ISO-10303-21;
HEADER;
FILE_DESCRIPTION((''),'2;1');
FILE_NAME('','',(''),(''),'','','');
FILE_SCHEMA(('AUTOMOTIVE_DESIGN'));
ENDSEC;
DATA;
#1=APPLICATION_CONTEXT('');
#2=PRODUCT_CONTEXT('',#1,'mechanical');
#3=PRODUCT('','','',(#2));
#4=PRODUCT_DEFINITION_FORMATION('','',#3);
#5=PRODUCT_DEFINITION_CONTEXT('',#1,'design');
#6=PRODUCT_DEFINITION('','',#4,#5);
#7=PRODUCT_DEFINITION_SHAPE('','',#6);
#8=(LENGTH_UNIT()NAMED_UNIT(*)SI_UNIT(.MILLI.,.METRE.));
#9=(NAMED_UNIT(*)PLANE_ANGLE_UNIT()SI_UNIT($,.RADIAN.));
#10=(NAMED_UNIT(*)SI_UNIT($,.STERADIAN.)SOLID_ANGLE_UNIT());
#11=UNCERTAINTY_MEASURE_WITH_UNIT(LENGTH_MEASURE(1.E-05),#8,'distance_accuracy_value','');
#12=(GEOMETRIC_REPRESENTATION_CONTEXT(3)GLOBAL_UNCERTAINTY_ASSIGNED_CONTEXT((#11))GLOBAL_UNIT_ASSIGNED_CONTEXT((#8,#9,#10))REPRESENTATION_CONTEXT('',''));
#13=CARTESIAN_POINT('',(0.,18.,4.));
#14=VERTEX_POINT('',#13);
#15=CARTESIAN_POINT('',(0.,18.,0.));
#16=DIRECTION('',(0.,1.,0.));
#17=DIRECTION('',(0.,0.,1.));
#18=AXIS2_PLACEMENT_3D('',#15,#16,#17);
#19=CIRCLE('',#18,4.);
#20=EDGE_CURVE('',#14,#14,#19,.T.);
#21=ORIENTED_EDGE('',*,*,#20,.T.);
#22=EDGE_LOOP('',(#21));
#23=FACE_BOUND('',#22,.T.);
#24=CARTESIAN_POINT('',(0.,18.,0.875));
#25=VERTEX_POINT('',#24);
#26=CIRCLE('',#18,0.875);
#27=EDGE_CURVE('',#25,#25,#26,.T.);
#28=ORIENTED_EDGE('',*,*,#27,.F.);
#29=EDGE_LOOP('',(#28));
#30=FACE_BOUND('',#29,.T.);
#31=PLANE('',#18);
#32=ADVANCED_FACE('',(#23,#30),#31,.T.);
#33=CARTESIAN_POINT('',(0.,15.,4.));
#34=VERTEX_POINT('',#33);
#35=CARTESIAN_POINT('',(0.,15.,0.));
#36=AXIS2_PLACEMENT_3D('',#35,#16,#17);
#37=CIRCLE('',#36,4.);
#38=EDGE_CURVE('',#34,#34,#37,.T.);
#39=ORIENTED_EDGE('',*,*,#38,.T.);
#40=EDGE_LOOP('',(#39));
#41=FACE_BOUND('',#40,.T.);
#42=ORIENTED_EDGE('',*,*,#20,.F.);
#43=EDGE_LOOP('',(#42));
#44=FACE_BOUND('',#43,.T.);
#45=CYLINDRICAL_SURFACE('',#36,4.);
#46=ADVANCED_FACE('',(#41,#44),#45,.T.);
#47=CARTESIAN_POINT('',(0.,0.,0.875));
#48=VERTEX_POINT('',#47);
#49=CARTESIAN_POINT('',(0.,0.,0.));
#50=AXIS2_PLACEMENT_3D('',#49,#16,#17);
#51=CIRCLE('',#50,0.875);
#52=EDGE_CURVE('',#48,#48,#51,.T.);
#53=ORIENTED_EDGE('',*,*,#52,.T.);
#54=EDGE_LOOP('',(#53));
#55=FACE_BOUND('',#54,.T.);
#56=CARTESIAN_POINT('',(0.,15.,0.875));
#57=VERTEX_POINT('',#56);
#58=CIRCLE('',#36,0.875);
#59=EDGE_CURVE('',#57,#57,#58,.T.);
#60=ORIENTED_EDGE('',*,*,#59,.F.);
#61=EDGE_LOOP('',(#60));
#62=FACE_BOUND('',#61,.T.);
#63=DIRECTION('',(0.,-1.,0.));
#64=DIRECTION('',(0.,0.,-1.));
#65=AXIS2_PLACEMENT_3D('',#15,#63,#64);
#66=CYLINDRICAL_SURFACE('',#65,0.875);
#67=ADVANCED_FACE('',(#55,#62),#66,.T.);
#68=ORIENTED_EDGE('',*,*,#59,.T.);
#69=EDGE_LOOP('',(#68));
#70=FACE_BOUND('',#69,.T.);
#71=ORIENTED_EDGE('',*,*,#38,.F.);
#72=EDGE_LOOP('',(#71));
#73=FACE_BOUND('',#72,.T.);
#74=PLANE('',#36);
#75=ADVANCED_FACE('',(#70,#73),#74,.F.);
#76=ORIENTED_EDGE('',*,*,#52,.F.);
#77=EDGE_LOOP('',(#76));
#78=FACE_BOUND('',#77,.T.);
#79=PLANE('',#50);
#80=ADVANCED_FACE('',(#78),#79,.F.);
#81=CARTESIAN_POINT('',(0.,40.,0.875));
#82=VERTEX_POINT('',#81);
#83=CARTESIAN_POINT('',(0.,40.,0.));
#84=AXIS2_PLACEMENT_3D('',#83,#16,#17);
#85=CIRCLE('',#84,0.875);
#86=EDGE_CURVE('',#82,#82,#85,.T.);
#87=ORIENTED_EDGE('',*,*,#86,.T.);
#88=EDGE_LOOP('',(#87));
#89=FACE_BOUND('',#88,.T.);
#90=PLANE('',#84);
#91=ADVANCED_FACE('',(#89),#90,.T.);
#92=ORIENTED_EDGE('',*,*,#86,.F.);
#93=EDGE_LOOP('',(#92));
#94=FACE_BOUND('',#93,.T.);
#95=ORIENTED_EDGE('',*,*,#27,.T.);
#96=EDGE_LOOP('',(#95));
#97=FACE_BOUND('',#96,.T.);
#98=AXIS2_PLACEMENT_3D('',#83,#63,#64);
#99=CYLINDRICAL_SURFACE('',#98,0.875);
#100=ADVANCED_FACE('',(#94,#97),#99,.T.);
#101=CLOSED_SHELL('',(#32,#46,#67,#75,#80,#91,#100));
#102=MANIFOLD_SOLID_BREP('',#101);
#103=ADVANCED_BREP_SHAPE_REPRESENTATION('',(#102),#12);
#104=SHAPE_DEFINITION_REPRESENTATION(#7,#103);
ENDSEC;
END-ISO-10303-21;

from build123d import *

# Parameters (mm, degrees)
SKETCH1_R           = 0.875
BOSS_EXTRUDE2_DEPTH = 18
SKETCH3_R           = 4
BOSS_EXTRUDE3_DEPTH = 3
SKETCH4_R           = 0.875
BOSS_EXTRUDE4_DEPTH = 22


with BuildPart() as part:
    # Sketch1 → Boss-Extrude2 (new body)
    with BuildSketch(Plane(origin=(0, 0, 0), x_dir=(1, 0, 0), z_dir=(0, 1, 0))):
        with Locations(Location((0, 0, 0), (0, 0, 270))):
            Circle(SKETCH1_R)
    extrude(amount=BOSS_EXTRUDE2_DEPTH)

    # Sketch3 → Boss-Extrude3 (add)
    with BuildSketch(Plane(origin=(0, 18, 0), x_dir=(1, 0, 0), z_dir=(0, 1, 0))):
        with Locations(Location((0, 0, 0), (0, 0, 270))):
            Circle(SKETCH3_R)
    extrude(amount=-BOSS_EXTRUDE3_DEPTH)

    # Sketch4 → Boss-Extrude4 (add)
    with BuildSketch(Plane(origin=(0, 18, 0), x_dir=(1, 0, 0), z_dir=(0, 1, 0))):
        with Locations(Location((0, 0, 0), (0, 0, 270))):
            Circle(SKETCH4_R)
    extrude(amount=BOSS_EXTRUDE4_DEPTH)


solid = part.part
